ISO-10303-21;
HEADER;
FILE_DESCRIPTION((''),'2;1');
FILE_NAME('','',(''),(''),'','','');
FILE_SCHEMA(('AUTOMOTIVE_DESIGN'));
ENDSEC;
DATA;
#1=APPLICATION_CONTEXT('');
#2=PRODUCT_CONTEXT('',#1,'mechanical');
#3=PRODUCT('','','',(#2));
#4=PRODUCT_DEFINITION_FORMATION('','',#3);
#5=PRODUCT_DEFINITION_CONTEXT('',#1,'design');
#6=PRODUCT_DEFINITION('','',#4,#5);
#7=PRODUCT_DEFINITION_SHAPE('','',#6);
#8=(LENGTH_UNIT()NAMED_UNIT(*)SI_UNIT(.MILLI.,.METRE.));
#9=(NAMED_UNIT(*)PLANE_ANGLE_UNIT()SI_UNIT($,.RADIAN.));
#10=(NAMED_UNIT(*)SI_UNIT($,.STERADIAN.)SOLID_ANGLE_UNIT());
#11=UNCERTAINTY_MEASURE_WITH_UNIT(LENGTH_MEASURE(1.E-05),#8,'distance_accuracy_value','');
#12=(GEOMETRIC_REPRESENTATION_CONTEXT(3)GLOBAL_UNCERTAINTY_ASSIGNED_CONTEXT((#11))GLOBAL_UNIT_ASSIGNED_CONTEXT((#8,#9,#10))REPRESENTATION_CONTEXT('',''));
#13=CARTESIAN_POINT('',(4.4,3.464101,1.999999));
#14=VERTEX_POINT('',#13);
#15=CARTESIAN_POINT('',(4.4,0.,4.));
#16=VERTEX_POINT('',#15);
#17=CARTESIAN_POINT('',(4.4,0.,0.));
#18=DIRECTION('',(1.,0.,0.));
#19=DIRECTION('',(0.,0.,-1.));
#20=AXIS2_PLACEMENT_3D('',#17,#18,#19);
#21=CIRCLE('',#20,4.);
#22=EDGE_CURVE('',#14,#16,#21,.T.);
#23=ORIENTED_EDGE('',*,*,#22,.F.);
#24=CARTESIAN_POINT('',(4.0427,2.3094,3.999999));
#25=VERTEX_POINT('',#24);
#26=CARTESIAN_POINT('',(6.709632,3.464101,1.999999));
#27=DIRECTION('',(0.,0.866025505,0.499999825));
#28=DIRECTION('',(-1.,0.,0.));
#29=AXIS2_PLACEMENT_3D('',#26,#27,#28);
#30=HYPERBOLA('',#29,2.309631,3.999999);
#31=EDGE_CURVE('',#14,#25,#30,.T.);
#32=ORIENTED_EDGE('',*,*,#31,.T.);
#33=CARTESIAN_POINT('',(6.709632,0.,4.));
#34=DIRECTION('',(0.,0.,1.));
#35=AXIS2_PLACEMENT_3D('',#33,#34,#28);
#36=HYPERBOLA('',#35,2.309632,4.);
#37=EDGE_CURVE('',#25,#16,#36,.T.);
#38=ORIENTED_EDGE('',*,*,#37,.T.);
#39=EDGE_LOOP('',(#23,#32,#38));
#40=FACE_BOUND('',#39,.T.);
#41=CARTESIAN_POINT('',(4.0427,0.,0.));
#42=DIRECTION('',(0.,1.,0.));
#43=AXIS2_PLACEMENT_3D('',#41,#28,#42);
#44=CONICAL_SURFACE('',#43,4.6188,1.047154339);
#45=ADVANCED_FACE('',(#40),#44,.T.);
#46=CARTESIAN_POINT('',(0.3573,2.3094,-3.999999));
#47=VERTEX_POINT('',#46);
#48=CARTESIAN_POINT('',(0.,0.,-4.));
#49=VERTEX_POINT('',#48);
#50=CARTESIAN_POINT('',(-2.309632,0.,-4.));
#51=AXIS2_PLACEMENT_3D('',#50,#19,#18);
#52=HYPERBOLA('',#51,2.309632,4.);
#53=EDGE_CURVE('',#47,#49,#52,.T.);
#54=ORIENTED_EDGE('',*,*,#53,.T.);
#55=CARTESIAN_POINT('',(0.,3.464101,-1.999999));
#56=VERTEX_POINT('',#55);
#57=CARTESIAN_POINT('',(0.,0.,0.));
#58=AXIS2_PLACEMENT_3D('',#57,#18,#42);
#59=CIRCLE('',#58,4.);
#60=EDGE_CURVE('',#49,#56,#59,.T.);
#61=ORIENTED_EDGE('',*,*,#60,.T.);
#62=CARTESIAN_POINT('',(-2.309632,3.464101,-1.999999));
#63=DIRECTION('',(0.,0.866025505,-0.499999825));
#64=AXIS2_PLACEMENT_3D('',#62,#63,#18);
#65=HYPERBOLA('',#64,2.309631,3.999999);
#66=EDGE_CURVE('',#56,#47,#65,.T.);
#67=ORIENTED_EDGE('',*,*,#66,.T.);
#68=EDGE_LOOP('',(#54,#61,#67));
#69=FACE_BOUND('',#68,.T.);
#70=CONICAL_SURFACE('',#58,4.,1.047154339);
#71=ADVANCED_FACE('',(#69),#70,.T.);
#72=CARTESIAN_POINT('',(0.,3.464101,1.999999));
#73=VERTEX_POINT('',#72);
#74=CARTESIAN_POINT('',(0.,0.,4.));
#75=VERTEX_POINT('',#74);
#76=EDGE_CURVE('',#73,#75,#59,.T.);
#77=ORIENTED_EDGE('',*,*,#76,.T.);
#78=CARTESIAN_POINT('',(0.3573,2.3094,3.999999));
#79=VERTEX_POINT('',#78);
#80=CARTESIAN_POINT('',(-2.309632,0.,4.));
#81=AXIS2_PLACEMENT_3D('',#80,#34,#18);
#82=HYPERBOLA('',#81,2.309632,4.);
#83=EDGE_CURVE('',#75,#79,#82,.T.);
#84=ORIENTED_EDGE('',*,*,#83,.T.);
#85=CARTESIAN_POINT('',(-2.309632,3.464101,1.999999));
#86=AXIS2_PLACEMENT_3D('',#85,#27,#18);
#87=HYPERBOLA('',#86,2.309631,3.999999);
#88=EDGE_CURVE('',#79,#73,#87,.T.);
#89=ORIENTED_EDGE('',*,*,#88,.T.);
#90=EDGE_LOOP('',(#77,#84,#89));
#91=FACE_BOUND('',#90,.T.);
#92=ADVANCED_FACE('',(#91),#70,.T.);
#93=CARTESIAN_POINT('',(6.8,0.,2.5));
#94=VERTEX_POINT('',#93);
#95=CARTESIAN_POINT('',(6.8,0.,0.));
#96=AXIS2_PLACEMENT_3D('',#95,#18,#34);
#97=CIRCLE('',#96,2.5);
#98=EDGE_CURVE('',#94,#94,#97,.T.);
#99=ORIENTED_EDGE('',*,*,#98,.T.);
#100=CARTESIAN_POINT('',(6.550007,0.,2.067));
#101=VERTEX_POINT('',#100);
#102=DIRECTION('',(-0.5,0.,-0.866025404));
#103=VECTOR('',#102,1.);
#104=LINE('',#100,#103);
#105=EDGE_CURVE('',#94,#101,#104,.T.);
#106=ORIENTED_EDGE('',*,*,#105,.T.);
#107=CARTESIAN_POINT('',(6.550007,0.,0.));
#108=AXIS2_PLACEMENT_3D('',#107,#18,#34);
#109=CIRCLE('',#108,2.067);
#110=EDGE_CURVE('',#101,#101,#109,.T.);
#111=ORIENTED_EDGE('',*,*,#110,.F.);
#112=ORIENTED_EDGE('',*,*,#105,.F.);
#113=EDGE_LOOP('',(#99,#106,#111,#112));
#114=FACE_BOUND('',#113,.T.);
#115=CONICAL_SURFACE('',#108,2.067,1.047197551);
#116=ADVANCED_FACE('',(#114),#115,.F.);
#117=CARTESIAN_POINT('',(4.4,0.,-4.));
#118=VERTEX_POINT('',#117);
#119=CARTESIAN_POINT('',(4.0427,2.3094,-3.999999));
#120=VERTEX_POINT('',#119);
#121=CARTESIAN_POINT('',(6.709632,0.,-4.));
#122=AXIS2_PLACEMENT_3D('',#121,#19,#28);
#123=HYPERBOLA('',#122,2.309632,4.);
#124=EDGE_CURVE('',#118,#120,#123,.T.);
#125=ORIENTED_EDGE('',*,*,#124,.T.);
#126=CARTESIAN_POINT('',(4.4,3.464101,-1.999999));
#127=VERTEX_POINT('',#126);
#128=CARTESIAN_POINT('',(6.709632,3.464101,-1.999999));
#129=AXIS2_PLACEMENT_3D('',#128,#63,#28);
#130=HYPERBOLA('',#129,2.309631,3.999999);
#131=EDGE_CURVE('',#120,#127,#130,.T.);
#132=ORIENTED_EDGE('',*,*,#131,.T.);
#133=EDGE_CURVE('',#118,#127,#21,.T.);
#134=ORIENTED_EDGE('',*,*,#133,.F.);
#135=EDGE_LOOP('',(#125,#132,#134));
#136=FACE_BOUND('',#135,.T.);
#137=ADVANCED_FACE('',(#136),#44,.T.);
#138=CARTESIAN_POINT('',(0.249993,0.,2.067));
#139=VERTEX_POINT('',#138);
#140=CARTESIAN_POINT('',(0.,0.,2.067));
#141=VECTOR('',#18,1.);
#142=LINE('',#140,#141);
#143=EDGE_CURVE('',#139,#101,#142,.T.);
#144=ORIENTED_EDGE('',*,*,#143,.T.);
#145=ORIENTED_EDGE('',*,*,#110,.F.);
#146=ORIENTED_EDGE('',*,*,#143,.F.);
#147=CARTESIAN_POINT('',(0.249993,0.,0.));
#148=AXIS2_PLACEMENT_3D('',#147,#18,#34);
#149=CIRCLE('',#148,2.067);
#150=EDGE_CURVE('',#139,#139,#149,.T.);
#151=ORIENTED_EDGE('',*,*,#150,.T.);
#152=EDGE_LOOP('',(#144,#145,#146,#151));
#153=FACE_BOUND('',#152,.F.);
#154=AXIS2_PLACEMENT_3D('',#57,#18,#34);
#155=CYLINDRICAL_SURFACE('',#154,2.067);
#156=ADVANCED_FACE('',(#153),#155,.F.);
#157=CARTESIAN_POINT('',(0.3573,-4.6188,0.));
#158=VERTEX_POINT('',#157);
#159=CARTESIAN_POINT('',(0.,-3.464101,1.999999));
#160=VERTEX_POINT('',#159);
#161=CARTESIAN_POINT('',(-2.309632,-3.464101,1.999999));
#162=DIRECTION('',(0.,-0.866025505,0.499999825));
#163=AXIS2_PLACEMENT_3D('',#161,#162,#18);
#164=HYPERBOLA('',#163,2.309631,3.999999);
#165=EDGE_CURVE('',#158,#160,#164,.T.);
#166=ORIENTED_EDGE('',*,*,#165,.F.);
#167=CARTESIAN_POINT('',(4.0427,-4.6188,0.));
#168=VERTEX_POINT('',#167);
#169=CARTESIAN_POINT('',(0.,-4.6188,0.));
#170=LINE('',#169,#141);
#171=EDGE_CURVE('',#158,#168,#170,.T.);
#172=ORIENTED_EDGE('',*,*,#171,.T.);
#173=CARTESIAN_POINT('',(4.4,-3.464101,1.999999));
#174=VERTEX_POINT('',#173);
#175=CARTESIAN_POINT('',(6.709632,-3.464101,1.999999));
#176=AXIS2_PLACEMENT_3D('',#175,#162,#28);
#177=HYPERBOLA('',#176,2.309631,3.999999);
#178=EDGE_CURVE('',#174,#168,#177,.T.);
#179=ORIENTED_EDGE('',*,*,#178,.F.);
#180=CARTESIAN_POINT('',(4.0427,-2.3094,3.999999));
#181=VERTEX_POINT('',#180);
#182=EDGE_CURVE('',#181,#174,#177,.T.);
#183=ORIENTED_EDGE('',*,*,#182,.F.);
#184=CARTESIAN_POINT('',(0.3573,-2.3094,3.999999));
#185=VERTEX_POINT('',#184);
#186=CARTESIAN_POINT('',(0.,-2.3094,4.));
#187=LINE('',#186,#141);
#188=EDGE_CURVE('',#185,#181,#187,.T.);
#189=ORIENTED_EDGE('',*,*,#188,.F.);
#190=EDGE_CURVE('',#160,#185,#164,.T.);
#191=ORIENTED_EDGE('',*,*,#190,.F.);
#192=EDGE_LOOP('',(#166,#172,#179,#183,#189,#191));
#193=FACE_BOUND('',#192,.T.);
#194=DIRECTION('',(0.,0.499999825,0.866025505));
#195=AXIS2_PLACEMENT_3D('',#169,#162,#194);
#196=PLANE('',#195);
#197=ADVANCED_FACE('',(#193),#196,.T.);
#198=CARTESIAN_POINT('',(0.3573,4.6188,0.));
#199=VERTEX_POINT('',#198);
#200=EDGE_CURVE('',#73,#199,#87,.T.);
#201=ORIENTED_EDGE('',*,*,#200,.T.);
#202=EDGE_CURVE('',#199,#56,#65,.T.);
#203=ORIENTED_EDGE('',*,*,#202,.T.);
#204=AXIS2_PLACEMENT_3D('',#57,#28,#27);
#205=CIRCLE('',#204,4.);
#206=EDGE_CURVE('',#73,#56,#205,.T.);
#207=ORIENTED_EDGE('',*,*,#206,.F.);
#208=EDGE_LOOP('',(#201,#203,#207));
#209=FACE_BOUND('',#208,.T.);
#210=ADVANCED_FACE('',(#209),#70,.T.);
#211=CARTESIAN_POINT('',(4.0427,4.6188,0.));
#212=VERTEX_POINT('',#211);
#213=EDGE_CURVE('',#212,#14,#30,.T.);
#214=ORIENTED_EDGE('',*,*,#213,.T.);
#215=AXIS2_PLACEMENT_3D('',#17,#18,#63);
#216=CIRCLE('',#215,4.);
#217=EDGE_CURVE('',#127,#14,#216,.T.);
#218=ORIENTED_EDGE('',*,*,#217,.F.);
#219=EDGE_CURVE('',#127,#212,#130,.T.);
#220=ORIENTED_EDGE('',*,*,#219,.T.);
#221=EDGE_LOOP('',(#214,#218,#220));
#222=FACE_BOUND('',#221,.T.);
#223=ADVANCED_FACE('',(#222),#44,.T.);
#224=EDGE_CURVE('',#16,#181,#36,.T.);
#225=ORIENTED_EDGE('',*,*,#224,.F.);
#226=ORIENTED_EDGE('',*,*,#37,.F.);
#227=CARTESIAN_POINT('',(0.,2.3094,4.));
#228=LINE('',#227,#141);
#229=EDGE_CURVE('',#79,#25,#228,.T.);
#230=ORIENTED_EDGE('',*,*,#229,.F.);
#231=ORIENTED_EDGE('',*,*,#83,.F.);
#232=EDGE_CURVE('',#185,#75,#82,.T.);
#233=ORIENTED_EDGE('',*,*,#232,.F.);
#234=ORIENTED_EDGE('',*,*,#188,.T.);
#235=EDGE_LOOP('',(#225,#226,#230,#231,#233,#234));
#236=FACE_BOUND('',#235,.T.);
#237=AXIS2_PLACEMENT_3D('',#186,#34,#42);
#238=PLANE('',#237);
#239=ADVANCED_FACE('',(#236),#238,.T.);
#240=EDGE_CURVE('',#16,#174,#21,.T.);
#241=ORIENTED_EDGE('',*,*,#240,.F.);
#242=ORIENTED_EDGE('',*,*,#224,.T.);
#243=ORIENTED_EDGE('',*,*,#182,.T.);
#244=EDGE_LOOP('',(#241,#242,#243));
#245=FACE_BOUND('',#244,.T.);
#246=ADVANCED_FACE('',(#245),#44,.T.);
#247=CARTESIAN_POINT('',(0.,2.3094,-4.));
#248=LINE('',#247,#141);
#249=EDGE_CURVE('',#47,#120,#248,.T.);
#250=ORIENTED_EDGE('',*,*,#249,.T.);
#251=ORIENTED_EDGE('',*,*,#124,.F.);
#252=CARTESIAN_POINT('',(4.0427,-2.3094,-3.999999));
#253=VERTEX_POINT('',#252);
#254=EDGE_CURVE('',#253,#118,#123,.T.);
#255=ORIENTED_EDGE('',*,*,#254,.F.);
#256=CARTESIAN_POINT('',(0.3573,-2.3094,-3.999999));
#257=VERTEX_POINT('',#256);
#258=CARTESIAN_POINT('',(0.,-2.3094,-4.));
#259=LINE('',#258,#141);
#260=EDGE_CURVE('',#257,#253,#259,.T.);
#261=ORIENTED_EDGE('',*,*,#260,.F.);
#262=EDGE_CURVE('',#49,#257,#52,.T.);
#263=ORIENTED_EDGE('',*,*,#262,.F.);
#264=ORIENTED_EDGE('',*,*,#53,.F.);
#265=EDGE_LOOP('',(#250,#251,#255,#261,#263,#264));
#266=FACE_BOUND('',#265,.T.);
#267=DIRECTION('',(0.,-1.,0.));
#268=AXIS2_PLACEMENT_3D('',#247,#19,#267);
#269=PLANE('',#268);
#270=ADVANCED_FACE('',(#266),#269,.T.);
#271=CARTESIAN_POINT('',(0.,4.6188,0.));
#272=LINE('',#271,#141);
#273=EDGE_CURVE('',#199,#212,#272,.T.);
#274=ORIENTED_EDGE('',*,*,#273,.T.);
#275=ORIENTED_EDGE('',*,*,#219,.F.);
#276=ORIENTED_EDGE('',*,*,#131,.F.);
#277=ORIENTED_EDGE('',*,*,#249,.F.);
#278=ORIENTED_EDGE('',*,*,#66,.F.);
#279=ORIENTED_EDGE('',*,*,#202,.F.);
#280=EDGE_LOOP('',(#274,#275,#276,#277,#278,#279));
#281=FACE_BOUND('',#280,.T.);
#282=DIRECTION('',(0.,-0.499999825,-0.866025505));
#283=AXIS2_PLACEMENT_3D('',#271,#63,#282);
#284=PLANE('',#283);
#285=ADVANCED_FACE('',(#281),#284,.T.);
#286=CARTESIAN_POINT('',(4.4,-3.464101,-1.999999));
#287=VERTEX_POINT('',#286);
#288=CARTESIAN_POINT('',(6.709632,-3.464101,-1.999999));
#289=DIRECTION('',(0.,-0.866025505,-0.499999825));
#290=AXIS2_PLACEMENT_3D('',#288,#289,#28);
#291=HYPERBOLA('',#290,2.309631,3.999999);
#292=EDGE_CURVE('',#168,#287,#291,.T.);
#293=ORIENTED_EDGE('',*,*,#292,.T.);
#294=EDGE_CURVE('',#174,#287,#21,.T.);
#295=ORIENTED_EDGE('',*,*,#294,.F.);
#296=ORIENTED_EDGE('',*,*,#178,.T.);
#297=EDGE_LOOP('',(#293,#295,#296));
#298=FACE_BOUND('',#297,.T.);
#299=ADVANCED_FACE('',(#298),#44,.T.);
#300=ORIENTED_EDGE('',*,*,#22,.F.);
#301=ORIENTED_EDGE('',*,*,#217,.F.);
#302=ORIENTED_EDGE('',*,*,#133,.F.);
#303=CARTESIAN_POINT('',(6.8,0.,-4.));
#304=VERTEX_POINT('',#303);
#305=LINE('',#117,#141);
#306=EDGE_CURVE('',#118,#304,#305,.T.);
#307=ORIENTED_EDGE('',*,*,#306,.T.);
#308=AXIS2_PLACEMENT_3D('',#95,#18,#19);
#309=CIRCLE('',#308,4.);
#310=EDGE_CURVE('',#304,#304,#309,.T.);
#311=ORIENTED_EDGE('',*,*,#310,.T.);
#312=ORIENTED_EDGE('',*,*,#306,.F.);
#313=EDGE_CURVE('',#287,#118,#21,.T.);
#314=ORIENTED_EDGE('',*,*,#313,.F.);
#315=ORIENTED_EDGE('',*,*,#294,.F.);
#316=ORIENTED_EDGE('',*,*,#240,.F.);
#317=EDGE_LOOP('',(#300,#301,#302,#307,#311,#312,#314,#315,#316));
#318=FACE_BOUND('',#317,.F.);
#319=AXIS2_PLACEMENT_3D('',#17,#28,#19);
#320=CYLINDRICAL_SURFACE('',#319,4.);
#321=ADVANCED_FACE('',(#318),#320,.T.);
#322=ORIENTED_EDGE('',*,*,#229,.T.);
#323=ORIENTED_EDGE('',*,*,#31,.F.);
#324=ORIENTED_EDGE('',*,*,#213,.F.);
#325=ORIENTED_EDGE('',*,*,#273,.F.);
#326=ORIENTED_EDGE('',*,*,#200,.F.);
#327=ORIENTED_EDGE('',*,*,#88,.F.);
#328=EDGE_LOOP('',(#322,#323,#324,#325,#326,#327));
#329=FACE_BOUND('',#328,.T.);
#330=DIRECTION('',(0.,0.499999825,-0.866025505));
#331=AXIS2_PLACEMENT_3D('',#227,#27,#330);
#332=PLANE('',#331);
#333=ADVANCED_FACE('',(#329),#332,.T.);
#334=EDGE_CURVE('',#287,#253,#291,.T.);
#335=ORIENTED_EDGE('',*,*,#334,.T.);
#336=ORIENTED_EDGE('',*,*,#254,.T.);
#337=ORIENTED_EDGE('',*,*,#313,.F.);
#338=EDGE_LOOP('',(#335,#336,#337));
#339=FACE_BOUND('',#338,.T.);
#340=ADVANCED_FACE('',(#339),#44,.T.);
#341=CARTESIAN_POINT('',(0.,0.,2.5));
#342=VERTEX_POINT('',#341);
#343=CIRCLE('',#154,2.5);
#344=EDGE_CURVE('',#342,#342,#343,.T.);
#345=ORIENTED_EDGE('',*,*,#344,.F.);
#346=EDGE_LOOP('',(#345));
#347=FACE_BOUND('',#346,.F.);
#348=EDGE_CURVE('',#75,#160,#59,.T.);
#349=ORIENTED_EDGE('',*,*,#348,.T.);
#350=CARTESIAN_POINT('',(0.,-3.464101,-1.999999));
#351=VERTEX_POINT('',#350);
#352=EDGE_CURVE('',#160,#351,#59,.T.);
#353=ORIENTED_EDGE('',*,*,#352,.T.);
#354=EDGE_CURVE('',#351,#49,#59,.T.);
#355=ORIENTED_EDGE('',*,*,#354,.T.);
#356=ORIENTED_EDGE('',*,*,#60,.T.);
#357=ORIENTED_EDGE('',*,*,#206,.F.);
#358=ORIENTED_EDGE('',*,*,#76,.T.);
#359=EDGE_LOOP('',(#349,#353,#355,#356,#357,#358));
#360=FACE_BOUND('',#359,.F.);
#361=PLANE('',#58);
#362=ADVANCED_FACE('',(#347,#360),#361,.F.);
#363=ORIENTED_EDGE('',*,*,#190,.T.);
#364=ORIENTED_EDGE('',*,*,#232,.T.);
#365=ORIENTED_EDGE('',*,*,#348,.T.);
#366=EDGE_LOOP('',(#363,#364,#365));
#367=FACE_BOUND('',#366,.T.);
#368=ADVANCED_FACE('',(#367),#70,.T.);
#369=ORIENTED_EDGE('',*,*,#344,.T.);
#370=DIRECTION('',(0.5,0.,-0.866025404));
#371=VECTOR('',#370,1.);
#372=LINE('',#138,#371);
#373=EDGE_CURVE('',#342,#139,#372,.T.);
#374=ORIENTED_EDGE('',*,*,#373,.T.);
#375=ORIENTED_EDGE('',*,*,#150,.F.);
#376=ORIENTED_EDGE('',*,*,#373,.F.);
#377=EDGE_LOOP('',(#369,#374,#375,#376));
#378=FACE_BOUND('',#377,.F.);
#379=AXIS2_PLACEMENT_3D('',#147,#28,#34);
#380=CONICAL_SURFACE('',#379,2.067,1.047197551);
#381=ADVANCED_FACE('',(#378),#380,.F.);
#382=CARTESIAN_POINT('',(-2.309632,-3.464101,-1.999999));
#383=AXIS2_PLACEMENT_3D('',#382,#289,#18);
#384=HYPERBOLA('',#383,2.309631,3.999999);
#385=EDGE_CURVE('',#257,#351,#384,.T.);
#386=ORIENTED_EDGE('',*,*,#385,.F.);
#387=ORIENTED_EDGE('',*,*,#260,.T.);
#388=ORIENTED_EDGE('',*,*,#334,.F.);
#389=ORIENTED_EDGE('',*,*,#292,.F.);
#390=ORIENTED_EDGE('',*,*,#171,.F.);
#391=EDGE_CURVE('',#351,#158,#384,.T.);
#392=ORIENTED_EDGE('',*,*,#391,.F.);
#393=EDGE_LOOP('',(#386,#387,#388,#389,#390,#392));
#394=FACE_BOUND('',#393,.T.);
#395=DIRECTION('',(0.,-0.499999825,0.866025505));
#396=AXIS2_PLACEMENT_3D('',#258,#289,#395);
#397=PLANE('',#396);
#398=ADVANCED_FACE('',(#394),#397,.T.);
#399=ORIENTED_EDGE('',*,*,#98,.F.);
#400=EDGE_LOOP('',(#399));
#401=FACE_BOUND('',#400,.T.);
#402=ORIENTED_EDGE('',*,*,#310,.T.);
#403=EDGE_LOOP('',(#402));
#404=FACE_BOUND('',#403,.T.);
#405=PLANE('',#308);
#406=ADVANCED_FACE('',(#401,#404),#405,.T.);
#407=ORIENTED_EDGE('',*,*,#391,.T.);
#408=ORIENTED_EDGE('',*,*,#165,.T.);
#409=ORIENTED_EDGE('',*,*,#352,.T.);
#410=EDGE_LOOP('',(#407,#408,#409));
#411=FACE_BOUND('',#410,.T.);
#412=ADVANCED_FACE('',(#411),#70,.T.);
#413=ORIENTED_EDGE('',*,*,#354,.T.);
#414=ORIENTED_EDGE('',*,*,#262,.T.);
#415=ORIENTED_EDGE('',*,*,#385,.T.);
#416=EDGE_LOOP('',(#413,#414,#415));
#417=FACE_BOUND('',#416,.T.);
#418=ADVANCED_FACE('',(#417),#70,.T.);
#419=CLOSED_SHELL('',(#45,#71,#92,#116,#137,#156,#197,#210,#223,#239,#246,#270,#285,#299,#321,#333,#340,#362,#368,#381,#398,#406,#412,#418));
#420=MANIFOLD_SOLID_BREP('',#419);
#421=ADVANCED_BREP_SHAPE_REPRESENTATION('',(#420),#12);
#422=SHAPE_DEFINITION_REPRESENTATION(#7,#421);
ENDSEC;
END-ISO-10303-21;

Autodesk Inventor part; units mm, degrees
ref_plane "YZ Plane" through (0, 0, 0) normal (1, 0, 0) x (0, 1, 0)
ref_plane "XZ Plane" through (0, 0, 0) normal (0, 1, 0) x (-1, 0, 0)
sketch "Sketch1" plane through (0, 0, 0) normal (1, 0, 0) x (0, 1, 0)
  line L0 (2.3094, -4) -> (-2.3094, -4)
  line L1 (-2.3094, -4) -> (-4.6188, 0)
  line L2 (-4.6188, 0) -> (-2.3094, 4)
  line L3 (-2.3094, 4) -> (2.3094, 4)
  line L4 (2.3094, 4) -> (4.6188, 0)
  line L5 (4.6188, 0) -> (2.3094, -4)
  point P0 (0, 0)
  point P1 (0, 0)
  dimension "d0" = 9.2376
extrude "Body" add sketch "Sketch1" along normal blind 4.4
sketch "Sketch2" plane through (4.4, 0, 0) normal (1, 0, 0) x (0, 0, -1)
  circle A0 centre (0, 0) radius 4
  dimension "d7" = 8
extrude "Ring" add sketch "Sketch2" along normal blind 2.4
sketch "Sketch3" plane through (0, 0, 0) normal (0, 0, 1) x (1, 0, 0)
  line L0 (0, 2.3094) -> (0, 4.6188) projected
  line L1 (0, 4.6188) -> (4.4, 4.6188) projected
  line L2 (4.4, 2.3094) -> (4.4, 4.6188) projected
  line L3 (-0.88, 0) -> (5.28, 0) projected
  line L4 (0, 4) -> (0.3573, 4.6188)
  line L5 (4.0427, 4.6188) -> (4.4, 4)
  dimension "d3" = 30
  dimension "d4" = 30
  dimension "d5" = 8
  dimension "d6" = 8
revolve "Chamfer1" cut sketch "Sketch3" angle 360 about axis through (-10, 0, 0) along (1, 0, 0)
sketch "Sketch4" plane through (0, 0, 0) normal (-1, 0, 0) x (0, 0, 1)
  line L0 (0, -6.4663) -> (0, 6.4663) projected
  line L1 (-5.6, 0) -> (5.6, 0) projected
  point P0 (0, 0)
hole "Thread" at (0, 0, 0) direction (1, 0, 0) diameter 4.134 end through all thread size "M5x0.8" class "6H" standard "ISO Metric profile"
chamfer "Chamfer2" distance 0.433 angle 30 1 edges at (0, 0, -2.067) measured on face at (0, -3.336, 0.083)
chamfer "Chamfer3" distance 0.433 angle 30 1 edges at (6.8, 0, -2.067) measured on face at (6.8, -0.484, -3.2969)
ref_plane "Work Plane1" through (13.9848, 0, 0) normal (0, 0, 1) x (-1, 0, 0)
equation "\"d0\" = 1.1547 * SW"
equation "\"d1\" = KOH1"
equation "\"d7\" = SD2"
equation "\"d8\" = KOH - KOH1"
equation "\"d3\" = ANG1"
equation "\"d4\" = ANG2"
equation "\"d5\" = SW0"
equation "\"d6\" = SW01"
equation "\"d10\" = -0.5 * GD1 + 0.5 * NND"
equation "\"d46\" = -0.5 * GD1 + 0.5 * NND"
equation "\"d12\" = -0.5 * GD1 + 0.5 * NND"
equation "\"d47\" = -0.5 * GD1 + 0.5 * NND"
equation "\"ANG1\" = 30deg"
equation "\"ANG2\" = 30deg"
equation "\"NND\" = 5"
equation "\"KOH1\" = 4.4"
equation "\"KOH\" = 6.8"
equation "\"SW\" = 8"
equation "\"SW0\" = SW"
equation "\"SW01\" = SW"
equation "\"SD2\" = SW"
equation "\"GUL\" = 0.541266 * PTC"
equation "\"THREADDIA\" = 5"
equation "\"TOA\" = 30deg"
equation "\"PTC\" = 0.8"
equation "\"E0\" = 1.155 * SW"
equation "\"GAL\" = 0.541266 * PTC"
equation "\"GD1\" = 4.133975"
properties part number "SS-ISO 7040 - M5" material "Steel, Mild"
